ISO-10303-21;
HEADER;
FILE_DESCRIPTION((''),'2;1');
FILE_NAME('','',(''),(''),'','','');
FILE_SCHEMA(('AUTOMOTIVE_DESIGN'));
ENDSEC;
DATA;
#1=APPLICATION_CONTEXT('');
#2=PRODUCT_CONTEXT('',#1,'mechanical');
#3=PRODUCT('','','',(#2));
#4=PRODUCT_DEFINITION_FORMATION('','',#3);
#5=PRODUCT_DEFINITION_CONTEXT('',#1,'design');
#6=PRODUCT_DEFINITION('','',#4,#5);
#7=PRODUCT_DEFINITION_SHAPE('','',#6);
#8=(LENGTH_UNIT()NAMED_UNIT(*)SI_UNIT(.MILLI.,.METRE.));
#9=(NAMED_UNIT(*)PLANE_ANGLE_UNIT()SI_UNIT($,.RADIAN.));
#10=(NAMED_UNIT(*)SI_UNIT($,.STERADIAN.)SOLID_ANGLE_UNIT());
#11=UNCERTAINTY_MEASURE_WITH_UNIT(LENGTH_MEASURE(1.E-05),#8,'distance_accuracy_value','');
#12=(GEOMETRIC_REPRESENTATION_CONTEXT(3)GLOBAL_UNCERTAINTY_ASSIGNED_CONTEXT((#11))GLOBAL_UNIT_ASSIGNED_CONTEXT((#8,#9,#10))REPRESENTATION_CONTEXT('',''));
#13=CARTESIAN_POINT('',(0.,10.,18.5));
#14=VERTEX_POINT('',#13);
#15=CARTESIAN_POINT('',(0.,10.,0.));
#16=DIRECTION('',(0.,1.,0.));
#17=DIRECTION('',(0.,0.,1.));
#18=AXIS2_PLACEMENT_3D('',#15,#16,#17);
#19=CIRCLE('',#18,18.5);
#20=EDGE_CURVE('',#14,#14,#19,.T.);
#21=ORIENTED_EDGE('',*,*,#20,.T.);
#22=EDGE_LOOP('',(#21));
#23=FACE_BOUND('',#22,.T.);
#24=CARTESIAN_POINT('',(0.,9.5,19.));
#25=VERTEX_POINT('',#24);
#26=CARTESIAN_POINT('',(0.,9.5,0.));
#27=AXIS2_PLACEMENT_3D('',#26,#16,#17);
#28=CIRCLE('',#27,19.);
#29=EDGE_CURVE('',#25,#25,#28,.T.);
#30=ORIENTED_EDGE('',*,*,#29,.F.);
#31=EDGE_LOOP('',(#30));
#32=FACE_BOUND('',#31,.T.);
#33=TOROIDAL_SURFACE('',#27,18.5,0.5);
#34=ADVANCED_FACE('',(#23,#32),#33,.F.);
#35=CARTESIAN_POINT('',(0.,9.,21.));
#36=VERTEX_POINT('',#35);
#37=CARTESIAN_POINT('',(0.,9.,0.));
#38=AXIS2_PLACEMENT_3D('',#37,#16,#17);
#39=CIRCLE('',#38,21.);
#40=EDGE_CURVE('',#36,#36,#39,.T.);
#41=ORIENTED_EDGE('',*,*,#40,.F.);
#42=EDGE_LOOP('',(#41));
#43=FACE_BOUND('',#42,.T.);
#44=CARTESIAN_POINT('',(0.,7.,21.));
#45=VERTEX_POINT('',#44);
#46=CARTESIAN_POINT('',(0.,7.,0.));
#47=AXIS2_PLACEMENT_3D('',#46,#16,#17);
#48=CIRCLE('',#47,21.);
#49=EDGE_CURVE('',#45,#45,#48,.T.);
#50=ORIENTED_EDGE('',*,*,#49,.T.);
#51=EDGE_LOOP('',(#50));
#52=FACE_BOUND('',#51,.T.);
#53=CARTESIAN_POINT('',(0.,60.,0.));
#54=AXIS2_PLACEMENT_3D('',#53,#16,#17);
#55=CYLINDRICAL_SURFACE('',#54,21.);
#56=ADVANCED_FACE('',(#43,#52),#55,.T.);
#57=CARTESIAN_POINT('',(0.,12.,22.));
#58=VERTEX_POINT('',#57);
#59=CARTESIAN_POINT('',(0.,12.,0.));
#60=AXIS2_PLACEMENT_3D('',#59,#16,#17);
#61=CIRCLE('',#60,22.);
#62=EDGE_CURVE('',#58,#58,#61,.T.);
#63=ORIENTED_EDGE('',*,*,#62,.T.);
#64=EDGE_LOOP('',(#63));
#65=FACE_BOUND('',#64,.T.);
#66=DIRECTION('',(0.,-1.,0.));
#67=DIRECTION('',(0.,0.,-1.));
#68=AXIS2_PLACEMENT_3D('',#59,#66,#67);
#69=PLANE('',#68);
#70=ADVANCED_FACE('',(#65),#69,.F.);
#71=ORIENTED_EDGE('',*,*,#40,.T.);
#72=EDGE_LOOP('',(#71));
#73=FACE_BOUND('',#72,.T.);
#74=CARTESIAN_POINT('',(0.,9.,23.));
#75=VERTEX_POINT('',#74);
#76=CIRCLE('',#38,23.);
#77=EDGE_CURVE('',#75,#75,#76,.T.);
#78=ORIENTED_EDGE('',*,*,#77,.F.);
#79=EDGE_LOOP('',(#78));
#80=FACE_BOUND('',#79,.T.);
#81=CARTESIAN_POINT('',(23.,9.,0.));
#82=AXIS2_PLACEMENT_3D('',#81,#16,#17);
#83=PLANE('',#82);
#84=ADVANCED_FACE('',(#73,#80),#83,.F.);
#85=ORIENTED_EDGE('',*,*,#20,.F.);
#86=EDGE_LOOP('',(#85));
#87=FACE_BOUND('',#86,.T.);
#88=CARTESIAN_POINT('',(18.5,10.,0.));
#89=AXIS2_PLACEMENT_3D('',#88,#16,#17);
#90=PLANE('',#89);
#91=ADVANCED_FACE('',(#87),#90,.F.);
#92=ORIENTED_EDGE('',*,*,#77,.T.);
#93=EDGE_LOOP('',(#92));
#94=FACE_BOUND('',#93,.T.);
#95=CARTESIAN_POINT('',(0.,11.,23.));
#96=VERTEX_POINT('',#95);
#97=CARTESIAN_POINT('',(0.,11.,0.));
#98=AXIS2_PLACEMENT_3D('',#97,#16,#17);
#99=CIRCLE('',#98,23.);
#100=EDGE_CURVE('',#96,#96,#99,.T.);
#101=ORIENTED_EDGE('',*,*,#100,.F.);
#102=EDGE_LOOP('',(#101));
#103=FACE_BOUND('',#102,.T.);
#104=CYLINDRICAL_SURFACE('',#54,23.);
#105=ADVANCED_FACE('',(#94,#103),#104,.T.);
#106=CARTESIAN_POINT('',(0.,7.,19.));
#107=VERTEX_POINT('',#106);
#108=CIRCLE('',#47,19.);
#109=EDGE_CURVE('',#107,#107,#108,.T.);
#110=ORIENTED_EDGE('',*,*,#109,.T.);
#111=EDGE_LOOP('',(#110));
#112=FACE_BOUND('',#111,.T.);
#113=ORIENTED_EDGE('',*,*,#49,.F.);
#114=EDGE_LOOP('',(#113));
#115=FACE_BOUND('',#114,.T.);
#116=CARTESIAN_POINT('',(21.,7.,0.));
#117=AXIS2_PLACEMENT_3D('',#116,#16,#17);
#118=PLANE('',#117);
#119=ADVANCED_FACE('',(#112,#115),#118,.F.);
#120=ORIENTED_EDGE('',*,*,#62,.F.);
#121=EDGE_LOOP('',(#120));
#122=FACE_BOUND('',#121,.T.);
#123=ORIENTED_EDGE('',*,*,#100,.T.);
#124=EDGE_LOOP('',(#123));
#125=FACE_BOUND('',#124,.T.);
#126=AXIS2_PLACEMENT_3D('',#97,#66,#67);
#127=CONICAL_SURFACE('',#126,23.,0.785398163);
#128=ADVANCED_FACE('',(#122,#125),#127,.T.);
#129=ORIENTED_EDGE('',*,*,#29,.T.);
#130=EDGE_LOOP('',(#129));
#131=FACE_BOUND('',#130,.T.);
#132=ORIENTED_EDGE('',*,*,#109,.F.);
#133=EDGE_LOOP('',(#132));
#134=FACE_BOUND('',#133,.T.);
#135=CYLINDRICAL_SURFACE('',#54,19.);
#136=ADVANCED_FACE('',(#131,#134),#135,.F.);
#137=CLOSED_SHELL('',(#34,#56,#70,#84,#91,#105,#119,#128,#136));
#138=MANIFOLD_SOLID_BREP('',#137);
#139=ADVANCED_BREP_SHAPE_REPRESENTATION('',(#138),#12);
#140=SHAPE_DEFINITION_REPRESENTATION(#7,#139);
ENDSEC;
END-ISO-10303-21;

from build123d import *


with BuildPart() as part:
    # Esquisse1 → Base-Révolution (revolve)
    with BuildSketch(Plane.XY, mode=Mode.PRIVATE) as base_r_volution_sk:
        with BuildLine():
            Line((0, 12), (22, 12))
            Line((22, 12), (23, 11))
            Line((23, 11), (23, 9))
            Line((23, 9), (21, 9))
            Line((21, 9), (21, 7))
            Line((21, 7), (19, 7))
            Line((19, 7), (19, 9.5))
            ThreePointArc((19, 9.5), (18.853553391, 9.853553391), (18.5, 10))
            Line((18.5, 10), (0, 10))
            Line((0, 10), (0, 12))
        make_face()
    revolve(base_r_volution_sk.sketch.rotate(Axis((0, 60, 0), (0, -1, 0)), 90), axis=Axis((0, 60, 0), (0, -1, 0)))


solid = part.part
